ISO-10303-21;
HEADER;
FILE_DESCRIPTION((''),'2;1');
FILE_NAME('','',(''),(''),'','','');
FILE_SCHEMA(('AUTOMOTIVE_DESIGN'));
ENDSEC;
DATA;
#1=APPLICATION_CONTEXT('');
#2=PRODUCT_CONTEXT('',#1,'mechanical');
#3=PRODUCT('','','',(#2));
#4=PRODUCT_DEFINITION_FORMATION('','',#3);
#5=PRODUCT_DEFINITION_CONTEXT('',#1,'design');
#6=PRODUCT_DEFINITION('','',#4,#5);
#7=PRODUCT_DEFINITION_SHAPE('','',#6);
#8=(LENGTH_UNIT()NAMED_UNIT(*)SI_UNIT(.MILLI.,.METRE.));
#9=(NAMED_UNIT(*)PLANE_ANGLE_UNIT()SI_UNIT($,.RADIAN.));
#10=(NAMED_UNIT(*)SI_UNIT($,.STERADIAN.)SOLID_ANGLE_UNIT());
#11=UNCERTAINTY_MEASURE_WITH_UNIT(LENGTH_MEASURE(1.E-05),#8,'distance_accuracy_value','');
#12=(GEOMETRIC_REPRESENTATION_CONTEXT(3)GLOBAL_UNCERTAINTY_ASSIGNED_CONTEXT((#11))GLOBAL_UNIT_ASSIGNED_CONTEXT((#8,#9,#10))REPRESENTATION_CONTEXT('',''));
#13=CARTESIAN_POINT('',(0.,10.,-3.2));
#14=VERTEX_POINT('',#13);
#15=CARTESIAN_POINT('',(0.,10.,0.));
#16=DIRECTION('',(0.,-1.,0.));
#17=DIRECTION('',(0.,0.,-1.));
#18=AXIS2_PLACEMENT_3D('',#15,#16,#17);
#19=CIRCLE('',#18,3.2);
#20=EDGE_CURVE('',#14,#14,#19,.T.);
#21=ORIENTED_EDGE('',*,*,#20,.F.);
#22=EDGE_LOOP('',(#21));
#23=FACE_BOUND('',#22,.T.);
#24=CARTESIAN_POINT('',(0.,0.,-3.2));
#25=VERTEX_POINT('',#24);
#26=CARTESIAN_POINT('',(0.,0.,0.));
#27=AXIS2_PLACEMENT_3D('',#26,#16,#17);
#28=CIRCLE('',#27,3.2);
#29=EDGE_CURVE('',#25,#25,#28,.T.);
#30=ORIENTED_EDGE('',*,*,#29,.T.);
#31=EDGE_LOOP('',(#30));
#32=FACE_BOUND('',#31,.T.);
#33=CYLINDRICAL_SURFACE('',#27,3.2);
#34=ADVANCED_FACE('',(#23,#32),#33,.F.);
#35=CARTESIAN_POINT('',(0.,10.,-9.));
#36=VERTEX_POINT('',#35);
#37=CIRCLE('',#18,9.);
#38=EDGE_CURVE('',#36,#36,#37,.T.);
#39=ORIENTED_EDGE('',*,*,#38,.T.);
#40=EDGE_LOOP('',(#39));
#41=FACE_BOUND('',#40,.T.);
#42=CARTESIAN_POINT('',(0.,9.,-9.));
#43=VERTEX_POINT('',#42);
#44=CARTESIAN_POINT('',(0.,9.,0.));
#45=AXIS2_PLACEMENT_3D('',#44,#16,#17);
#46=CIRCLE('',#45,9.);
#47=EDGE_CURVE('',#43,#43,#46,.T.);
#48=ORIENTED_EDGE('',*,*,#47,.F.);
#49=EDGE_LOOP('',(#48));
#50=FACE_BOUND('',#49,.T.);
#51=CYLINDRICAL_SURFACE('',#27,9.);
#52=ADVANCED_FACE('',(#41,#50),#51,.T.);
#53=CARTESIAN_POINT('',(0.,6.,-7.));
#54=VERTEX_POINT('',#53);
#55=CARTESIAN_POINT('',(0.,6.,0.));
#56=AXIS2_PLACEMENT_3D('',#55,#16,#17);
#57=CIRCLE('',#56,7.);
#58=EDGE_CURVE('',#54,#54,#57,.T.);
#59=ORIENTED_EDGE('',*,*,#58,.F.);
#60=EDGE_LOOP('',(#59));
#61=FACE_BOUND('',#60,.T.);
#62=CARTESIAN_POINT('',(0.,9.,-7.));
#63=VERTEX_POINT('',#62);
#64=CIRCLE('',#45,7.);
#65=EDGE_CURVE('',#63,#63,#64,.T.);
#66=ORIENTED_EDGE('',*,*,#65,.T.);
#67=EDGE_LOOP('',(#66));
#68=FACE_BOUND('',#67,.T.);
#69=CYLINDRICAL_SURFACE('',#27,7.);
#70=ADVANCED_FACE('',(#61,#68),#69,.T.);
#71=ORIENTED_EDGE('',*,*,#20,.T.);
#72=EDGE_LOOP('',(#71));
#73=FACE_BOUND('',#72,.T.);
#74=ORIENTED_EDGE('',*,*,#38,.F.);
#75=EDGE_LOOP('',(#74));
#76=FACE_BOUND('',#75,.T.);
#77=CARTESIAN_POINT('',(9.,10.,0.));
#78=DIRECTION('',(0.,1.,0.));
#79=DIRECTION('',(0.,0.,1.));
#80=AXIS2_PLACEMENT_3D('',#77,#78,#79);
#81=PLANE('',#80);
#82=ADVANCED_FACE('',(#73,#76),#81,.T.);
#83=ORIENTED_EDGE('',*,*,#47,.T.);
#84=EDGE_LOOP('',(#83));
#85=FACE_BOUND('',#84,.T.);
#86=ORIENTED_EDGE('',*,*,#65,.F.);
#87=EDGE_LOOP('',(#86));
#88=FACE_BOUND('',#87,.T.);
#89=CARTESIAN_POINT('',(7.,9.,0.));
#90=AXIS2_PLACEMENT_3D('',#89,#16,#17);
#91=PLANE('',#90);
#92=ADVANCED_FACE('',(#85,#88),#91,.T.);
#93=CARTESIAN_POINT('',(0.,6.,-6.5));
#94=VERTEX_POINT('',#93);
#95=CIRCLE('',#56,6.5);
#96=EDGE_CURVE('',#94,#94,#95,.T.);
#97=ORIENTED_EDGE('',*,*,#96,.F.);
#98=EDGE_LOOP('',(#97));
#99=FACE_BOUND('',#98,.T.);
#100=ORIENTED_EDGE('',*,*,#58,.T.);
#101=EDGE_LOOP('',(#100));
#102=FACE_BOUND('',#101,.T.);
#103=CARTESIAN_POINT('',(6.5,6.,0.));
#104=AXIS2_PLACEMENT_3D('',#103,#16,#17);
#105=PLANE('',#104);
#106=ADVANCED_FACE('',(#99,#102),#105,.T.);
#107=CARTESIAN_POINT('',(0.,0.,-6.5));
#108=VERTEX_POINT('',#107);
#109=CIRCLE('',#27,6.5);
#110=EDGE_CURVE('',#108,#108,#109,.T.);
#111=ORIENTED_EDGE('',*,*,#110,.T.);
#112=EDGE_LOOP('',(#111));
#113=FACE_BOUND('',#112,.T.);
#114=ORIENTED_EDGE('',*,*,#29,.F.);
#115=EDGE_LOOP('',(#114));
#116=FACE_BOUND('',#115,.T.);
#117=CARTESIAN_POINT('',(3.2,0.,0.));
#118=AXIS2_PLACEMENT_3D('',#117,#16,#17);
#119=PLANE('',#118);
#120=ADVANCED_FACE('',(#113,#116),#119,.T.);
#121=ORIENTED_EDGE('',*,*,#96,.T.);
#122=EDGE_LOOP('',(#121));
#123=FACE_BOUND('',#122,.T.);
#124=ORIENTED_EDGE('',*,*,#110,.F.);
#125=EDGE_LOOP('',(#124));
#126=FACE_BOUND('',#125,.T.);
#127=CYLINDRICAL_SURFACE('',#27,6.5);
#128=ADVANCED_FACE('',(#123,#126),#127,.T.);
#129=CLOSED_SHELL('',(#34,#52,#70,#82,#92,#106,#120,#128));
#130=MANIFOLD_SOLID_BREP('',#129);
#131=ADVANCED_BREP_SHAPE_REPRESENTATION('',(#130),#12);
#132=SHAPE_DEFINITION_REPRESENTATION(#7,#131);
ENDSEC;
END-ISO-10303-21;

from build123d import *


with BuildPart() as part:
    # 草图1 → Cable_gland_section (revolve)
    with BuildSketch(Plane.XY, mode=Mode.PRIVATE) as cable_gland_section_sk:
        Polygon((3.2, 0), (6.5, 0), (6.5, 6), (7, 6), (7, 9), (9, 9), (9, 10), (3.2, 10), align=None)
    revolve(cable_gland_section_sk.sketch.rotate(Axis((0, 0, 0), (0, 1, 0)), 90), axis=Axis((0, 0, 0), (0, 1, 0)))


solid = part.part
